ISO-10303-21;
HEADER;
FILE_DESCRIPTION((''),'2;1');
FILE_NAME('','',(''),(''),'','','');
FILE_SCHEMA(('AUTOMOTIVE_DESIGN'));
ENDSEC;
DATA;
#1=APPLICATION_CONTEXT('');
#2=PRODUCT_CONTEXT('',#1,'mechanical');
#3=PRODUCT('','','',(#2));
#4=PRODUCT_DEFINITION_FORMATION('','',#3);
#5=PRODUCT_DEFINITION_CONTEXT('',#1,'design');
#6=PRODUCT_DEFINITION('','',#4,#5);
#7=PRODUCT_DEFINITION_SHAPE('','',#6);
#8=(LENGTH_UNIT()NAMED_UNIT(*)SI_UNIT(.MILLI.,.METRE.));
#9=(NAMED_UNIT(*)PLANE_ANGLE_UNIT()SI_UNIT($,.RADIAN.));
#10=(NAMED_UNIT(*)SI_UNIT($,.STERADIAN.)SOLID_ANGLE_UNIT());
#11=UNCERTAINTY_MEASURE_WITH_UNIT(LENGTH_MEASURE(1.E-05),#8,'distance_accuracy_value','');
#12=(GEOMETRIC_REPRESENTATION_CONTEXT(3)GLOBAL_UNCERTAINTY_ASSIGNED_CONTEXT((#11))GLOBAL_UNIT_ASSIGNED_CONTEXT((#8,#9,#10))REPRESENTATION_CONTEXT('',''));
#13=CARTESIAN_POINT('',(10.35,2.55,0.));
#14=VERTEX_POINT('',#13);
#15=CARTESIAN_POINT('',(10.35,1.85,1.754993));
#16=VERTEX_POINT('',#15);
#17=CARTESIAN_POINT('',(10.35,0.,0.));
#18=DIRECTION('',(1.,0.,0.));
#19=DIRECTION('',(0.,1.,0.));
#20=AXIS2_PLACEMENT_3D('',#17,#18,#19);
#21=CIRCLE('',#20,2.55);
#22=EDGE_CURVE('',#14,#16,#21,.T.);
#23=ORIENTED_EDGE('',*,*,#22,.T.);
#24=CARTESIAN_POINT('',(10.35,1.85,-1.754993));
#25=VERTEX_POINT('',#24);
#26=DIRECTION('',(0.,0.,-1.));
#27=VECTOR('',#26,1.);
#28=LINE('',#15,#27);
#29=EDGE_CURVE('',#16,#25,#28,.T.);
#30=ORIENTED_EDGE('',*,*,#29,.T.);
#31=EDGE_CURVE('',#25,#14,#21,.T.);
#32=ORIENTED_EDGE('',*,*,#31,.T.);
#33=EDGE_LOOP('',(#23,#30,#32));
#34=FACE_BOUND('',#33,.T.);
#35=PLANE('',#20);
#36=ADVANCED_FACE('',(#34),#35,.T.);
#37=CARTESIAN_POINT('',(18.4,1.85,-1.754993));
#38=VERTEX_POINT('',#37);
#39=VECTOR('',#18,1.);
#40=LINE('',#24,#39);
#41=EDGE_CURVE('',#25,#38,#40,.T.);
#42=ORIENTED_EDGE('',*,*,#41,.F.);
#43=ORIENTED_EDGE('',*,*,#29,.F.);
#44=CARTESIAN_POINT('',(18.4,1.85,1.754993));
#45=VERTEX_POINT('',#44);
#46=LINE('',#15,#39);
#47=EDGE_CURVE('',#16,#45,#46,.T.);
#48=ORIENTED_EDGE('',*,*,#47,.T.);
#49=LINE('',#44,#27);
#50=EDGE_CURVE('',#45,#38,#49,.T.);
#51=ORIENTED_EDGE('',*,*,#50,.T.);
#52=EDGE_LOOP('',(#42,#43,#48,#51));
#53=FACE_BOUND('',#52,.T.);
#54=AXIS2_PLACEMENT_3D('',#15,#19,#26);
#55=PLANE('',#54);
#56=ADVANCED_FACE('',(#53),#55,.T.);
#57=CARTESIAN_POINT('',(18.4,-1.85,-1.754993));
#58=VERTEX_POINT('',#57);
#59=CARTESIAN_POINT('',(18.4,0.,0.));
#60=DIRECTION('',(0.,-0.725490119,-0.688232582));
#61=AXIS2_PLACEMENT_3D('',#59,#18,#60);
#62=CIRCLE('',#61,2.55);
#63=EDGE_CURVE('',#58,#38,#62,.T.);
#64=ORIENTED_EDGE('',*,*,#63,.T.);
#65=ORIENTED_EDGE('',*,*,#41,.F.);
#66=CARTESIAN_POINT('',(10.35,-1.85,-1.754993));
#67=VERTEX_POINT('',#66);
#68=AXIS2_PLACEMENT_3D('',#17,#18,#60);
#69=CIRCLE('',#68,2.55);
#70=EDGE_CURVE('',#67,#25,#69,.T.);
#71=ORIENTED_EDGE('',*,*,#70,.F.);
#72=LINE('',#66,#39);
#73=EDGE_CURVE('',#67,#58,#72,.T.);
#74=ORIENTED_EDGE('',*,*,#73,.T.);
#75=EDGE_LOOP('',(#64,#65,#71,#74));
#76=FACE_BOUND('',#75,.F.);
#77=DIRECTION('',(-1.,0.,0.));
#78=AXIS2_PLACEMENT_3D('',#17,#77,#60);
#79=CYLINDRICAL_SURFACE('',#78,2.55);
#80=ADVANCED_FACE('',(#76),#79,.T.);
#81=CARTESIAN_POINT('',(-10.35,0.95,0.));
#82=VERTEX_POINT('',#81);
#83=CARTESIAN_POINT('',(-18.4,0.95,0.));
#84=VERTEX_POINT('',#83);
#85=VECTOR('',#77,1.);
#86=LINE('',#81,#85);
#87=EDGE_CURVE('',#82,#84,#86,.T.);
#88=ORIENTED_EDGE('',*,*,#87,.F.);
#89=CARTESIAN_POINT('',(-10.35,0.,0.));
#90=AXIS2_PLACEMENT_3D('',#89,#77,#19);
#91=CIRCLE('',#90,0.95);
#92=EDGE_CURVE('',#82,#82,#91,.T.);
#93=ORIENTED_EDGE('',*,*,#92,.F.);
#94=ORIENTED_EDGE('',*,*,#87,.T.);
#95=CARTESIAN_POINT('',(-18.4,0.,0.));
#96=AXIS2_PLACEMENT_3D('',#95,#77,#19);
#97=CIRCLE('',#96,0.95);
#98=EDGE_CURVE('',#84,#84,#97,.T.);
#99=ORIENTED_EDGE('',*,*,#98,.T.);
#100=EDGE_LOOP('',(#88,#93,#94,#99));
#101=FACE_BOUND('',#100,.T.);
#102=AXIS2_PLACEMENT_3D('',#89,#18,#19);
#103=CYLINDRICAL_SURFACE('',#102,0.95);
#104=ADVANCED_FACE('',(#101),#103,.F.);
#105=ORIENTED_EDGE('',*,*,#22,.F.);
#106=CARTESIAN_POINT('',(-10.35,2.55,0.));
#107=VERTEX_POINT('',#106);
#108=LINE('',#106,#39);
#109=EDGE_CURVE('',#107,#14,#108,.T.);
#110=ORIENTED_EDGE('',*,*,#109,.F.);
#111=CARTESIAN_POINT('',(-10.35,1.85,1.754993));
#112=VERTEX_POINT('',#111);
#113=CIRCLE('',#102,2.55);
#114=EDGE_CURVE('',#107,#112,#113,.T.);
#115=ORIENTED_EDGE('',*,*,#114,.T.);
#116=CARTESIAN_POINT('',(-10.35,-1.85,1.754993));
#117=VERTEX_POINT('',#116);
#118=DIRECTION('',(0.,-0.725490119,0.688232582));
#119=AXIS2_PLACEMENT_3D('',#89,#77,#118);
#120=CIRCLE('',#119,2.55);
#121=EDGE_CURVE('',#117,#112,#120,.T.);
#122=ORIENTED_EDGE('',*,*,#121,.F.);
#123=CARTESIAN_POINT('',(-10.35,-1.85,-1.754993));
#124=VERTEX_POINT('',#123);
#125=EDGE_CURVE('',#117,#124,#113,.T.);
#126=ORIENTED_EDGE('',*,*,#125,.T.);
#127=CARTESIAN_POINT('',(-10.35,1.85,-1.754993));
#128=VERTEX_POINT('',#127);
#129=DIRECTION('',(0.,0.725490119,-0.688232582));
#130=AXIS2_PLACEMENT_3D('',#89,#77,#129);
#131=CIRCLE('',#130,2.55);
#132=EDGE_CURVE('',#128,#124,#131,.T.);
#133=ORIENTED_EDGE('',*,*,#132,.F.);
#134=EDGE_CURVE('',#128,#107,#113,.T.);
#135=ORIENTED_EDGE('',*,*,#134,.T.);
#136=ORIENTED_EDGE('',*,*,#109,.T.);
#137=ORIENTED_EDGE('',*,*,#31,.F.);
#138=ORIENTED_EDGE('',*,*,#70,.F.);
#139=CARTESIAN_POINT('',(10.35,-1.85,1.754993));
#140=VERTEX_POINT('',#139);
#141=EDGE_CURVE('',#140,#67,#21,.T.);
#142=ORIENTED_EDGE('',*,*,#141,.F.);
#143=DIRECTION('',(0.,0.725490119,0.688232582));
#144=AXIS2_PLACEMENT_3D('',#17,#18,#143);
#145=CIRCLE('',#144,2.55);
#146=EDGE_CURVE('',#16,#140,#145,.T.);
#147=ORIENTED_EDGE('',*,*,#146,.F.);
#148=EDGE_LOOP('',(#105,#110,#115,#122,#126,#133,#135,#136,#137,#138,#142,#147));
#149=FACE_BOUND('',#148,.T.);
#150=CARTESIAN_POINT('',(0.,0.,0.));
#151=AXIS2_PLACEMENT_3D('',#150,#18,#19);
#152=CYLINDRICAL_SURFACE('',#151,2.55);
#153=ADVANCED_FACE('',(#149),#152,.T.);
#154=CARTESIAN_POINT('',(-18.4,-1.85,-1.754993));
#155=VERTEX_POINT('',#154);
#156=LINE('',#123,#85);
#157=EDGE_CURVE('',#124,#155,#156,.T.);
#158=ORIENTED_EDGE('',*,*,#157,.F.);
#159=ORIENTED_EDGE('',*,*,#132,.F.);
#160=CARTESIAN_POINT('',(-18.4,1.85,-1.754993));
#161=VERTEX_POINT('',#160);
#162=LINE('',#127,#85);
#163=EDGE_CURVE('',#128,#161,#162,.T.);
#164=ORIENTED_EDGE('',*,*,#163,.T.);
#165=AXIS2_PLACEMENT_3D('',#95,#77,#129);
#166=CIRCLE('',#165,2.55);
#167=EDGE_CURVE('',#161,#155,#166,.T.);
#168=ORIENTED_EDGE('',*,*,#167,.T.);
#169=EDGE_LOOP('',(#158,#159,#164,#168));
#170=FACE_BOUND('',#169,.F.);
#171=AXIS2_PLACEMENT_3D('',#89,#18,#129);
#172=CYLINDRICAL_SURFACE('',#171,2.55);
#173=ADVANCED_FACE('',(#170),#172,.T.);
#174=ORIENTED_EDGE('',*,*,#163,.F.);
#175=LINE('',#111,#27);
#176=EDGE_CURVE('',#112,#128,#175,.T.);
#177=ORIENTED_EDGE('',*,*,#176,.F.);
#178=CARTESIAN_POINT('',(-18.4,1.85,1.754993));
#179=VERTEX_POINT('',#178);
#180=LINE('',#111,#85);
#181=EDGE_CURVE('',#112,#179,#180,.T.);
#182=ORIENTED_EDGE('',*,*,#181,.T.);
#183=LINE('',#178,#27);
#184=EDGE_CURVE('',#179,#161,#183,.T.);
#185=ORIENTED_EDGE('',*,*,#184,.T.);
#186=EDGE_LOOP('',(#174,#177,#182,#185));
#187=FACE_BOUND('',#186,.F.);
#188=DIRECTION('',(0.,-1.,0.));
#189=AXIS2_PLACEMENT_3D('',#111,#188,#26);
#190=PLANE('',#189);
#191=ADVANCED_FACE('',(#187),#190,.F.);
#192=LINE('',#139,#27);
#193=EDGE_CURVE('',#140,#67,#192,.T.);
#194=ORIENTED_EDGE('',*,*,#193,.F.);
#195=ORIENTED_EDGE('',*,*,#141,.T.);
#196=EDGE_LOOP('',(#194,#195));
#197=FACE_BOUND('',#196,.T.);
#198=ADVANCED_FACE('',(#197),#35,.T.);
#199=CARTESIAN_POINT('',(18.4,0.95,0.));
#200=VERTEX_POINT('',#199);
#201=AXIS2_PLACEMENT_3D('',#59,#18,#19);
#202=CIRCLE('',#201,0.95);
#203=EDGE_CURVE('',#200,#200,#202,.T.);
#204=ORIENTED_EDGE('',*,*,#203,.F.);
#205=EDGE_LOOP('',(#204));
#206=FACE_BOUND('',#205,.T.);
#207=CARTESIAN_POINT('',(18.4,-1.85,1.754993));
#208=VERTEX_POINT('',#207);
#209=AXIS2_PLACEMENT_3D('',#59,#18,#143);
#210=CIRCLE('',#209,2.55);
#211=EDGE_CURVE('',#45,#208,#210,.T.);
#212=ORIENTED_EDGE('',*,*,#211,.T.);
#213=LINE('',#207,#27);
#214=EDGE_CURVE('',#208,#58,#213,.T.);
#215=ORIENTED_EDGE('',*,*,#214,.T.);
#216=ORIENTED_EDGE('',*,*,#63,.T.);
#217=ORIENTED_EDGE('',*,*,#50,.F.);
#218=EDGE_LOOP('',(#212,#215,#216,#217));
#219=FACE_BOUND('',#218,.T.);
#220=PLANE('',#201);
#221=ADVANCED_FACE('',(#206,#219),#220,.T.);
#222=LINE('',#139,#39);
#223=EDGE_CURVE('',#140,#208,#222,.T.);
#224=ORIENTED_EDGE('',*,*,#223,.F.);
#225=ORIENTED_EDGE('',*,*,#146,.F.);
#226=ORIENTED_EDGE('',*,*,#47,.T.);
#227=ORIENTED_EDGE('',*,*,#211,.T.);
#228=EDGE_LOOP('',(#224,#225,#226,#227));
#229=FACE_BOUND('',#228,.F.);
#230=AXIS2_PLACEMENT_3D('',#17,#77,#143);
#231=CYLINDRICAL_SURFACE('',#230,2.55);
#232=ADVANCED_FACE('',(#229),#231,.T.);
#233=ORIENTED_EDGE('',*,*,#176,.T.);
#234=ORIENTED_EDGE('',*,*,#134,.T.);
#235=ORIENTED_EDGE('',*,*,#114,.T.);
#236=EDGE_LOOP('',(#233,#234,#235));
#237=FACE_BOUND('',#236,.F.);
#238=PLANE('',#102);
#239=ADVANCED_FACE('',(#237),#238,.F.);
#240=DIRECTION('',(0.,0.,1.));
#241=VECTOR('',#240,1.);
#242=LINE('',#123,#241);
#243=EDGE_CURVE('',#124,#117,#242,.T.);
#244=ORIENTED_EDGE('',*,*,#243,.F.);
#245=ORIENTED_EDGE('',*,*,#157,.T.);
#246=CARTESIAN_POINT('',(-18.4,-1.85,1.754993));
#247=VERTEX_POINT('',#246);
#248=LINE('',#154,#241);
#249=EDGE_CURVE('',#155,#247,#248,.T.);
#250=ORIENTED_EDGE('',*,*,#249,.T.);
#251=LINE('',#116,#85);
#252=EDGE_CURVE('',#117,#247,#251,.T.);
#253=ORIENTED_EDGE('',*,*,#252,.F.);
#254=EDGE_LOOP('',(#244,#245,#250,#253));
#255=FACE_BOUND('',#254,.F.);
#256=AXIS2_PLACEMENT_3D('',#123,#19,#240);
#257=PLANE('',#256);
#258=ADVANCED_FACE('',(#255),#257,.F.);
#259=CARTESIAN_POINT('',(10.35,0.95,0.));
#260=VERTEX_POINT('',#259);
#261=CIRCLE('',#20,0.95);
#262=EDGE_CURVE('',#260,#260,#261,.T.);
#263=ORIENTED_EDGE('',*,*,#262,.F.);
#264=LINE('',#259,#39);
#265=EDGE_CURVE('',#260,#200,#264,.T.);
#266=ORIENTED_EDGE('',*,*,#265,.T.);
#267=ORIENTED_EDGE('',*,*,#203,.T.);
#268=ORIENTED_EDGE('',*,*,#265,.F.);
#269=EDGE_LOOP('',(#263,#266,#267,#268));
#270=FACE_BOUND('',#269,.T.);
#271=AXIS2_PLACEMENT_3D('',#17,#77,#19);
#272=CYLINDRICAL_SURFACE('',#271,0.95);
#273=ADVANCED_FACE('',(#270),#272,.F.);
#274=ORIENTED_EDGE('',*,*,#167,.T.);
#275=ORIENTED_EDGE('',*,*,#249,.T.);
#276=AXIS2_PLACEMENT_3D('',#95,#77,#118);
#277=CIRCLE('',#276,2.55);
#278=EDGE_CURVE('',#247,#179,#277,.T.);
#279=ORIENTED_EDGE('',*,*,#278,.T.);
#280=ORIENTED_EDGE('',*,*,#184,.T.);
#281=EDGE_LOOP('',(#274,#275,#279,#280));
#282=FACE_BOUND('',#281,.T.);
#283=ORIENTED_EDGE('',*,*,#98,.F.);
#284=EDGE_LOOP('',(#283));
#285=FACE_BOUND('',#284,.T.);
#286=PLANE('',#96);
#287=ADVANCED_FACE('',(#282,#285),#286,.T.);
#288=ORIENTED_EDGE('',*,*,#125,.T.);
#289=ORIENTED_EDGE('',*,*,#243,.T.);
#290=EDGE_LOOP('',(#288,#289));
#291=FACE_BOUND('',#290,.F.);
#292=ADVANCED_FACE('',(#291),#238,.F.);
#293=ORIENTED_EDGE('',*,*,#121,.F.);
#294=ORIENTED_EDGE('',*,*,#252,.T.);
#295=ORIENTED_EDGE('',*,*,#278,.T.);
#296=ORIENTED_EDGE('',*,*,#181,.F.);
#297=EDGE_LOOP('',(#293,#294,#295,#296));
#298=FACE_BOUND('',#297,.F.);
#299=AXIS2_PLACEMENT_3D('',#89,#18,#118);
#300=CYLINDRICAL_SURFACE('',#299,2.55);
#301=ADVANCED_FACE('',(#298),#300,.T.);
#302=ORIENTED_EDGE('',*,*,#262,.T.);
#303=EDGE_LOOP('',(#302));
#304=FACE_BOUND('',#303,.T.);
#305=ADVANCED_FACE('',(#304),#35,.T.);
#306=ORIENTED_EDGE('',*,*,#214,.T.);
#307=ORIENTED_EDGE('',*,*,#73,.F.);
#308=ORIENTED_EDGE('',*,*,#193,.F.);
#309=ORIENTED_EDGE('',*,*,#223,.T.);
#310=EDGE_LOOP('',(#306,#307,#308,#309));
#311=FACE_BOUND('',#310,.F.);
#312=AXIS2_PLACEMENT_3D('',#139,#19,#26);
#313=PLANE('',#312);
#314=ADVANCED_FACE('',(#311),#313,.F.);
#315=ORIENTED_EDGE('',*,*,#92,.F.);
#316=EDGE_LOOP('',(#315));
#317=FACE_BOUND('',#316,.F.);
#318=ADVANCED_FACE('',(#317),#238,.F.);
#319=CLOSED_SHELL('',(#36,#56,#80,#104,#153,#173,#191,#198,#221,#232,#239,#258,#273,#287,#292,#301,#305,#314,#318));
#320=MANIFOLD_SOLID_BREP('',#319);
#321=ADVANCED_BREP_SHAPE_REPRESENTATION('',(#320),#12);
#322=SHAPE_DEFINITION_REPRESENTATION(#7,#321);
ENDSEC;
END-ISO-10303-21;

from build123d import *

# Parameters (mm, degrees)
SKETCH037_R  = 2.55
PAD031_DEPTH = 10.35
SKETCH038_R  = 0.95
PAD032_DEPTH = 8.05
SKETCH053_R  = 0.95
PAD045_DEPTH = 8.05


with BuildPart() as part:
    # Sketch037 → Pad031 (new body, symmetric)
    with BuildSketch(Plane.YZ):
        Circle(SKETCH037_R)
    extrude(amount=PAD031_DEPTH, both=True)

    # Sketch038 (on Face3 of Pad031) → Pad032 (join)
    with BuildSketch(Plane.YZ.offset(10.35)):
        with BuildLine():
            ThreePointArc((1.85, 1.754993), (0, 2.55), (-1.85, 1.754993))
            Line((-1.85, 1.754993), (-1.85, -1.754993))
            ThreePointArc((-1.85, -1.754993), (0, -2.55), (1.85, -1.754993))
            Line((1.85, 1.754993), (1.85, -1.754993))
        make_face()
        Circle(SKETCH038_R, mode=Mode.SUBTRACT)
    extrude(amount=PAD032_DEPTH)

    # Sketch053 (on Face9 of Pad032) → Pad045 (join)
    with BuildSketch(Plane(origin=(-10.35, 0, 0), x_dir=(0, 1, 0), z_dir=(-1, 0, 0))):
        with BuildLine():
            Line((-1.85, 1.754993), (-1.85, -1.754993))
            ThreePointArc((-1.85, -1.754993), (0, -2.55), (1.85, -1.754993))
            Line((1.85, -1.754993), (1.85, 1.754993))
            ThreePointArc((1.85, 1.754993), (0, 2.55), (-1.85, 1.754993))
        make_face()
        Circle(SKETCH053_R, mode=Mode.SUBTRACT)
    extrude(amount=PAD045_DEPTH)


solid = part.part
